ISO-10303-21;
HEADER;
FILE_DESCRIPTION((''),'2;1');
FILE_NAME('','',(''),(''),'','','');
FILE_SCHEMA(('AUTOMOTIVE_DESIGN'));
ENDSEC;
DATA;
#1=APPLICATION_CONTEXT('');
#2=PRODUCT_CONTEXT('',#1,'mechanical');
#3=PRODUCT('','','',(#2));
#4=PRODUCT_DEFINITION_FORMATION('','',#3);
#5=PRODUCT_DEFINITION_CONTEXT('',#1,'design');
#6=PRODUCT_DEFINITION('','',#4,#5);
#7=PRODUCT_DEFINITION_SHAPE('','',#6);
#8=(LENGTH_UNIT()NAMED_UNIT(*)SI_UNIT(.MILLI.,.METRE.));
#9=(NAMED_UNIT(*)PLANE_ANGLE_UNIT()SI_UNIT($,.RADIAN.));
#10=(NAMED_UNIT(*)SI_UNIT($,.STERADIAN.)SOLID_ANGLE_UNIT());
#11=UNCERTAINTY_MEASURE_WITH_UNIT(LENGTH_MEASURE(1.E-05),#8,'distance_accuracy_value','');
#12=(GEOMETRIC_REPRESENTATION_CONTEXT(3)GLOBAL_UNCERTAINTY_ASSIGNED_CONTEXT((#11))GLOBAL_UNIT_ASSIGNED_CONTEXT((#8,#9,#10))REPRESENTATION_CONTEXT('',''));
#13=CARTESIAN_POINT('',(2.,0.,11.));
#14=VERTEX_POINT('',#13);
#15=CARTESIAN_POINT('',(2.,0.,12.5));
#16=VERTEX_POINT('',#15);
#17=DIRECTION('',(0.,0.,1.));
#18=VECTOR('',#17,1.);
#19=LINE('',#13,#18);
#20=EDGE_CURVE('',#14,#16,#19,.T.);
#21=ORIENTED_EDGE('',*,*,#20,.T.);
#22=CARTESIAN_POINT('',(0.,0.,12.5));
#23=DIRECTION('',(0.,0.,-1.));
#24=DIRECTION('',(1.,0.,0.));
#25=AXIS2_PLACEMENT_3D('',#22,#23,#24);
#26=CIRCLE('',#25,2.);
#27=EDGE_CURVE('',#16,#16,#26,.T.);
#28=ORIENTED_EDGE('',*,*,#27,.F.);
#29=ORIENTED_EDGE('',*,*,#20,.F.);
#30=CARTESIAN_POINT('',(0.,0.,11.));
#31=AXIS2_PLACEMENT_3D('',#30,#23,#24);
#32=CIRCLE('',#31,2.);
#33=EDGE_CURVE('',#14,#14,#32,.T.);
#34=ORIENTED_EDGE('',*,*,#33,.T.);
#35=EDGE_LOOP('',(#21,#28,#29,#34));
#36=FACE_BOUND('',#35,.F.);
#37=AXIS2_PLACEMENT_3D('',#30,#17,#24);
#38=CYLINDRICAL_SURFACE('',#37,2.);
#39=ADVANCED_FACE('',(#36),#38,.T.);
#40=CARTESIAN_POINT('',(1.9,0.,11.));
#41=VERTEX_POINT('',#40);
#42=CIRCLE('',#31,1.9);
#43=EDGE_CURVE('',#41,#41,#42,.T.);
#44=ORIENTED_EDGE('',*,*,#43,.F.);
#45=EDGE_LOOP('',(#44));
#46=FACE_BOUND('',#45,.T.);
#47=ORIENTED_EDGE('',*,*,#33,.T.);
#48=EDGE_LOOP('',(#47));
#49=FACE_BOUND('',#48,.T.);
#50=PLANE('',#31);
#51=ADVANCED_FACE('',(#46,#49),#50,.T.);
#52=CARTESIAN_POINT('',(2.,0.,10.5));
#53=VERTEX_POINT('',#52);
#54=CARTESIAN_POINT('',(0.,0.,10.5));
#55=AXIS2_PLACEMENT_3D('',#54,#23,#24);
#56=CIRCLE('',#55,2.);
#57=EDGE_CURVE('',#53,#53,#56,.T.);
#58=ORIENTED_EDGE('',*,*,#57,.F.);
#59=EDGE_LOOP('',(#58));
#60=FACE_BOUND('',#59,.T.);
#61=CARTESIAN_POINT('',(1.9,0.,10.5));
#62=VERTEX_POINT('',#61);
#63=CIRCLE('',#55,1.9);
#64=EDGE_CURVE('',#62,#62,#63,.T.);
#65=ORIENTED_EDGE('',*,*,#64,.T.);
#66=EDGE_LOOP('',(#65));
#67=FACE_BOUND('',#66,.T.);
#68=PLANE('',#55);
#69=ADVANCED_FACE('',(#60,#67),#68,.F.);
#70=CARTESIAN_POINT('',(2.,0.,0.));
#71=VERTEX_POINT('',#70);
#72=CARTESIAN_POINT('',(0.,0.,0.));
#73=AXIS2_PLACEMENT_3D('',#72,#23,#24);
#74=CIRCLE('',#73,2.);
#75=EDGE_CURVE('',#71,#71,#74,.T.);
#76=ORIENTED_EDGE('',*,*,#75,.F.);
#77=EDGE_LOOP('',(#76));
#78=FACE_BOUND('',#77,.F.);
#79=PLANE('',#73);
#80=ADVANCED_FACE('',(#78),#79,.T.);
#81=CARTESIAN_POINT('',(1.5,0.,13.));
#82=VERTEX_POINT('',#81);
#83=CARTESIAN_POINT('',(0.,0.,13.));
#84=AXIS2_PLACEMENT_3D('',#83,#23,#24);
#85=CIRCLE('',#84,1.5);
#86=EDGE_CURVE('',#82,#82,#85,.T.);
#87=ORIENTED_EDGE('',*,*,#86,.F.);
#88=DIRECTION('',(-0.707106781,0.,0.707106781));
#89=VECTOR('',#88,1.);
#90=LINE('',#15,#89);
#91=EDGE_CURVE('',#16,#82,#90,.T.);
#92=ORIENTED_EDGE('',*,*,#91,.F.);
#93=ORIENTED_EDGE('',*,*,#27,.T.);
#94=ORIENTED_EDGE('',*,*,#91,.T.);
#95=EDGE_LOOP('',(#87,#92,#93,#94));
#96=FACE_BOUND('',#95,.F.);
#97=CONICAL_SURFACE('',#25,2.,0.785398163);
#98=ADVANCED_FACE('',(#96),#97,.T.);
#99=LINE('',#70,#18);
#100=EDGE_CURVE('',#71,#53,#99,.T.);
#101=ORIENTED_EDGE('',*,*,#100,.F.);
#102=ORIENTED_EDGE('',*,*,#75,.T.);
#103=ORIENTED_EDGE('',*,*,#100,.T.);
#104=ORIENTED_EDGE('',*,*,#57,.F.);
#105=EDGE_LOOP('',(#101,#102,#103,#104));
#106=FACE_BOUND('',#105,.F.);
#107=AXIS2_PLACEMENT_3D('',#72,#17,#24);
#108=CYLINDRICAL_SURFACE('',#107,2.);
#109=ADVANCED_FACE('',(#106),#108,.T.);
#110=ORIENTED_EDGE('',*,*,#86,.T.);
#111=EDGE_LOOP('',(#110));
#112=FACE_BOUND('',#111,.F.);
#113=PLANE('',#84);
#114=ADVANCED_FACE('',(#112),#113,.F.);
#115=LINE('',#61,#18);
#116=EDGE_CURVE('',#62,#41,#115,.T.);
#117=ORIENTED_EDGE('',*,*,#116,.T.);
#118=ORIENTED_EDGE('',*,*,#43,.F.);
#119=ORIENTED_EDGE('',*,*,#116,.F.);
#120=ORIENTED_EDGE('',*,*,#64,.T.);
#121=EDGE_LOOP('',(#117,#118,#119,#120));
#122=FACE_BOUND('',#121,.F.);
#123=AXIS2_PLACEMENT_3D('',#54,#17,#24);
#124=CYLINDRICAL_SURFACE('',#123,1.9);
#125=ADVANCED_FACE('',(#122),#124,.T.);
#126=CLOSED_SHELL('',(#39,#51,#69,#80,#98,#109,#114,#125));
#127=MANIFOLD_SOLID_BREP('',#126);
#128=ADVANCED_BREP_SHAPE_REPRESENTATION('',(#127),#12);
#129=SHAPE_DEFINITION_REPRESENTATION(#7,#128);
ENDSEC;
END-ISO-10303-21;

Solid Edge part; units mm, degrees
sketch "Sketch1" plane through (0, 0, 0) normal (0, -1, 0) x (1, 0, 0)
  line L0 (0, 0) -> (2, 0)
  line L1 (2, 0) -> (2, 10.5)
  line L2 (1.9, 10.5) -> (2, 10.5)
  line L3 (1.9, 10.5) -> (1.9, 11)
  line L4 (2, 11) -> (1.9, 11)
  line L5 (2, 11) -> (2, 12.5)
  line L6 (2, 12.5) -> (1.5, 13)
  line L7 (1.5, 13) -> (0, 13)
revolve "RevolvedProtrusion1" add sketch "Sketch1" angle 360 about axis through (0, 0, 13) along (0, 0, -1)
